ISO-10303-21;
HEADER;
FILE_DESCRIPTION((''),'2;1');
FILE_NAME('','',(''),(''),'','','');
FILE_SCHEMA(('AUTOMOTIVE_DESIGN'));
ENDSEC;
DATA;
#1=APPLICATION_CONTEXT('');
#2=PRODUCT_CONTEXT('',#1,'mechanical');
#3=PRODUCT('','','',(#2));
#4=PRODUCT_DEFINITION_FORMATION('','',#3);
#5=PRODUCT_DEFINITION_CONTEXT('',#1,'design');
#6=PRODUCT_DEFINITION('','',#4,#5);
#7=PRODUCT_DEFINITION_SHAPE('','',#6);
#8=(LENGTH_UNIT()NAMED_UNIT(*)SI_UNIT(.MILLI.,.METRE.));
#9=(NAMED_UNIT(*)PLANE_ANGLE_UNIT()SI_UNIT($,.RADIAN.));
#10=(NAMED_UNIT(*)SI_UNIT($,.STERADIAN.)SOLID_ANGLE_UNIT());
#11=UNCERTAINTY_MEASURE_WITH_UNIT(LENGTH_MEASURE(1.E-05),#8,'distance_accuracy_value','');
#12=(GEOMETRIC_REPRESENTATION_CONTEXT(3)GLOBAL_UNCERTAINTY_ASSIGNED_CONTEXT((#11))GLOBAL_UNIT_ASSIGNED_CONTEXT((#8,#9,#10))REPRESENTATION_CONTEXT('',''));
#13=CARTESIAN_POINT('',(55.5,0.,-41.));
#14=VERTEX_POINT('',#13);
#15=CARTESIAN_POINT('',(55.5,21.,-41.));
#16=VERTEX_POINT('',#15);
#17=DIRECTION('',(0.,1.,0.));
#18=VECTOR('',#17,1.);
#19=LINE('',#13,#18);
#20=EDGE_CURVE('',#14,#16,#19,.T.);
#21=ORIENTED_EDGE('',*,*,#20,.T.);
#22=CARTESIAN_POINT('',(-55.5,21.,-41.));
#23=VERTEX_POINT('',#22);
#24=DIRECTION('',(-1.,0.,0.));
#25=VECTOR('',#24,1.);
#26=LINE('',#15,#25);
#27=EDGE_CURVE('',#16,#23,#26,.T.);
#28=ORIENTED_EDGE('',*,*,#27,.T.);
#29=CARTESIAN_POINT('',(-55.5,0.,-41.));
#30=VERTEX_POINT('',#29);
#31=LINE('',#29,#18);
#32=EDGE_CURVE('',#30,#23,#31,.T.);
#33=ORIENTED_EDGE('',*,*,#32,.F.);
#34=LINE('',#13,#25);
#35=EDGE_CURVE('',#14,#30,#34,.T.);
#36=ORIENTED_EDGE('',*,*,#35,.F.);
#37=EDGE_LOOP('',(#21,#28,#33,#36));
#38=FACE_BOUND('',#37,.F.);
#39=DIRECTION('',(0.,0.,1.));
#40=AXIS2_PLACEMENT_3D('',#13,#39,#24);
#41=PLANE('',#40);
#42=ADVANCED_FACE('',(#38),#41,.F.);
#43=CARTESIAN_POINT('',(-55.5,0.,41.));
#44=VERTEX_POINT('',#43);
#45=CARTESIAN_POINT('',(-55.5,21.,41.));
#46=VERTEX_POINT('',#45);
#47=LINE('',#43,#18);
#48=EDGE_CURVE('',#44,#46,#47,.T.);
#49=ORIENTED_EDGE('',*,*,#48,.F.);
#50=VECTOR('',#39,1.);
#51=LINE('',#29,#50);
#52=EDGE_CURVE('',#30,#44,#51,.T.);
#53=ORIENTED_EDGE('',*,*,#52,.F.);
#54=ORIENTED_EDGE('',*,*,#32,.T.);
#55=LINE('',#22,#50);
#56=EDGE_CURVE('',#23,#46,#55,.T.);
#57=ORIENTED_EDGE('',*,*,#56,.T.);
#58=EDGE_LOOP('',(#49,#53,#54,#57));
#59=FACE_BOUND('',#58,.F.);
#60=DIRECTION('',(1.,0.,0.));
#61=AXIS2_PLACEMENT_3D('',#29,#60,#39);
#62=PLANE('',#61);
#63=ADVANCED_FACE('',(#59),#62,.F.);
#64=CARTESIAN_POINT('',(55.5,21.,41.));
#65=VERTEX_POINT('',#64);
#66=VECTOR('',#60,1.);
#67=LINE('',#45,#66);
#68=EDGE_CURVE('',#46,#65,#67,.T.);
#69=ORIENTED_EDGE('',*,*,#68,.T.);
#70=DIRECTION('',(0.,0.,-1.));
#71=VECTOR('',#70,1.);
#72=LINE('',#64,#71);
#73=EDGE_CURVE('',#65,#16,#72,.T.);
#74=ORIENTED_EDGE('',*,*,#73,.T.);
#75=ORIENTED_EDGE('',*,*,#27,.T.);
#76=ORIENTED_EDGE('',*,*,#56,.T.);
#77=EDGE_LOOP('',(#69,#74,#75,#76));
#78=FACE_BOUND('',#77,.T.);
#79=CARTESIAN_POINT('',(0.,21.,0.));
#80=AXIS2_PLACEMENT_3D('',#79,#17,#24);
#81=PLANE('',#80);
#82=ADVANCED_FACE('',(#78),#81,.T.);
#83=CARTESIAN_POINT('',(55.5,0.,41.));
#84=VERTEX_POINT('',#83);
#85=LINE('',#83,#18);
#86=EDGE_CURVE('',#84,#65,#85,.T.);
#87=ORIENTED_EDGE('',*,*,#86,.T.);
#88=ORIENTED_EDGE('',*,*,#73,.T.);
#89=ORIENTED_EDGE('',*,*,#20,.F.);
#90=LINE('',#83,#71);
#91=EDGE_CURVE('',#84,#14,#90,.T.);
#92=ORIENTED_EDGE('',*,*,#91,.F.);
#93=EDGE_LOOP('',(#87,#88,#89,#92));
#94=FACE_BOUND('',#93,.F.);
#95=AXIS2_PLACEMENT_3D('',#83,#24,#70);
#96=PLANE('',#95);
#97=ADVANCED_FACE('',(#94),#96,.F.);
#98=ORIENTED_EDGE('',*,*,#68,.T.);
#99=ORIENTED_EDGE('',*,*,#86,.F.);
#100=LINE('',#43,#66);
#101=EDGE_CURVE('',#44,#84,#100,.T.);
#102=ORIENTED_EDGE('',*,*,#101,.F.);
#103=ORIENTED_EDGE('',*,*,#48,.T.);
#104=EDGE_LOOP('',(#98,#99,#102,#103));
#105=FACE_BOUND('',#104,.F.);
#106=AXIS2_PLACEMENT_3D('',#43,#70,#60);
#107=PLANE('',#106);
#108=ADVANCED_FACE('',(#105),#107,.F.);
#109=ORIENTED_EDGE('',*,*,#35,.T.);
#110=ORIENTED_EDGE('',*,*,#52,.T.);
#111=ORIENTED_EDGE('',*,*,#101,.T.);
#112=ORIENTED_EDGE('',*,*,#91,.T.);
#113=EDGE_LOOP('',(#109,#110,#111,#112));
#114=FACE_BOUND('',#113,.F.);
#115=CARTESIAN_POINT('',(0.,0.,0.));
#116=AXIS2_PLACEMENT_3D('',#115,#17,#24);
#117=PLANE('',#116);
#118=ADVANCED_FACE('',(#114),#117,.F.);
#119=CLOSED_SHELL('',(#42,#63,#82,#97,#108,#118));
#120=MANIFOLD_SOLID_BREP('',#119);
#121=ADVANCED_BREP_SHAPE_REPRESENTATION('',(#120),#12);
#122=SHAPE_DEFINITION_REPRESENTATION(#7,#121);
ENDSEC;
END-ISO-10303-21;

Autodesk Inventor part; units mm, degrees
ref_plane "YZ Plane" through (0, 0, 0) normal (1, 0, 0) x (0, 1, 0)
ref_plane "XZ Plane" through (0, 0, 0) normal (0, 1, 0) x (-1, 0, 0)
ref_plane "XY Plane" through (0, 0, 0) normal (0, 0, 1) x (1, 0, 0)
sketch "Sketch1" plane through (0, 0, 0) normal (0, 1, 0) x (-1, 0, 0)
  line L0 (-55.5, -41) -> (55.5, -41)
  line L1 (55.5, -41) -> (55.5, 41)
  line L2 (55.5, 41) -> (-55.5, 41)
  line L3 (-55.5, 41) -> (-55.5, -41)
  line L4 (-55.5, -41) -> (55.5, 41) construction
  line L5 (55.5, -41) -> (-55.5, 41) construction
  point P0 (0, 0)
  dimension "d2" = 111
  dimension "d3" = 82
extrude "Extrusion1" add sketch "Sketch1" along normal blind 21
properties part number "hdd"
